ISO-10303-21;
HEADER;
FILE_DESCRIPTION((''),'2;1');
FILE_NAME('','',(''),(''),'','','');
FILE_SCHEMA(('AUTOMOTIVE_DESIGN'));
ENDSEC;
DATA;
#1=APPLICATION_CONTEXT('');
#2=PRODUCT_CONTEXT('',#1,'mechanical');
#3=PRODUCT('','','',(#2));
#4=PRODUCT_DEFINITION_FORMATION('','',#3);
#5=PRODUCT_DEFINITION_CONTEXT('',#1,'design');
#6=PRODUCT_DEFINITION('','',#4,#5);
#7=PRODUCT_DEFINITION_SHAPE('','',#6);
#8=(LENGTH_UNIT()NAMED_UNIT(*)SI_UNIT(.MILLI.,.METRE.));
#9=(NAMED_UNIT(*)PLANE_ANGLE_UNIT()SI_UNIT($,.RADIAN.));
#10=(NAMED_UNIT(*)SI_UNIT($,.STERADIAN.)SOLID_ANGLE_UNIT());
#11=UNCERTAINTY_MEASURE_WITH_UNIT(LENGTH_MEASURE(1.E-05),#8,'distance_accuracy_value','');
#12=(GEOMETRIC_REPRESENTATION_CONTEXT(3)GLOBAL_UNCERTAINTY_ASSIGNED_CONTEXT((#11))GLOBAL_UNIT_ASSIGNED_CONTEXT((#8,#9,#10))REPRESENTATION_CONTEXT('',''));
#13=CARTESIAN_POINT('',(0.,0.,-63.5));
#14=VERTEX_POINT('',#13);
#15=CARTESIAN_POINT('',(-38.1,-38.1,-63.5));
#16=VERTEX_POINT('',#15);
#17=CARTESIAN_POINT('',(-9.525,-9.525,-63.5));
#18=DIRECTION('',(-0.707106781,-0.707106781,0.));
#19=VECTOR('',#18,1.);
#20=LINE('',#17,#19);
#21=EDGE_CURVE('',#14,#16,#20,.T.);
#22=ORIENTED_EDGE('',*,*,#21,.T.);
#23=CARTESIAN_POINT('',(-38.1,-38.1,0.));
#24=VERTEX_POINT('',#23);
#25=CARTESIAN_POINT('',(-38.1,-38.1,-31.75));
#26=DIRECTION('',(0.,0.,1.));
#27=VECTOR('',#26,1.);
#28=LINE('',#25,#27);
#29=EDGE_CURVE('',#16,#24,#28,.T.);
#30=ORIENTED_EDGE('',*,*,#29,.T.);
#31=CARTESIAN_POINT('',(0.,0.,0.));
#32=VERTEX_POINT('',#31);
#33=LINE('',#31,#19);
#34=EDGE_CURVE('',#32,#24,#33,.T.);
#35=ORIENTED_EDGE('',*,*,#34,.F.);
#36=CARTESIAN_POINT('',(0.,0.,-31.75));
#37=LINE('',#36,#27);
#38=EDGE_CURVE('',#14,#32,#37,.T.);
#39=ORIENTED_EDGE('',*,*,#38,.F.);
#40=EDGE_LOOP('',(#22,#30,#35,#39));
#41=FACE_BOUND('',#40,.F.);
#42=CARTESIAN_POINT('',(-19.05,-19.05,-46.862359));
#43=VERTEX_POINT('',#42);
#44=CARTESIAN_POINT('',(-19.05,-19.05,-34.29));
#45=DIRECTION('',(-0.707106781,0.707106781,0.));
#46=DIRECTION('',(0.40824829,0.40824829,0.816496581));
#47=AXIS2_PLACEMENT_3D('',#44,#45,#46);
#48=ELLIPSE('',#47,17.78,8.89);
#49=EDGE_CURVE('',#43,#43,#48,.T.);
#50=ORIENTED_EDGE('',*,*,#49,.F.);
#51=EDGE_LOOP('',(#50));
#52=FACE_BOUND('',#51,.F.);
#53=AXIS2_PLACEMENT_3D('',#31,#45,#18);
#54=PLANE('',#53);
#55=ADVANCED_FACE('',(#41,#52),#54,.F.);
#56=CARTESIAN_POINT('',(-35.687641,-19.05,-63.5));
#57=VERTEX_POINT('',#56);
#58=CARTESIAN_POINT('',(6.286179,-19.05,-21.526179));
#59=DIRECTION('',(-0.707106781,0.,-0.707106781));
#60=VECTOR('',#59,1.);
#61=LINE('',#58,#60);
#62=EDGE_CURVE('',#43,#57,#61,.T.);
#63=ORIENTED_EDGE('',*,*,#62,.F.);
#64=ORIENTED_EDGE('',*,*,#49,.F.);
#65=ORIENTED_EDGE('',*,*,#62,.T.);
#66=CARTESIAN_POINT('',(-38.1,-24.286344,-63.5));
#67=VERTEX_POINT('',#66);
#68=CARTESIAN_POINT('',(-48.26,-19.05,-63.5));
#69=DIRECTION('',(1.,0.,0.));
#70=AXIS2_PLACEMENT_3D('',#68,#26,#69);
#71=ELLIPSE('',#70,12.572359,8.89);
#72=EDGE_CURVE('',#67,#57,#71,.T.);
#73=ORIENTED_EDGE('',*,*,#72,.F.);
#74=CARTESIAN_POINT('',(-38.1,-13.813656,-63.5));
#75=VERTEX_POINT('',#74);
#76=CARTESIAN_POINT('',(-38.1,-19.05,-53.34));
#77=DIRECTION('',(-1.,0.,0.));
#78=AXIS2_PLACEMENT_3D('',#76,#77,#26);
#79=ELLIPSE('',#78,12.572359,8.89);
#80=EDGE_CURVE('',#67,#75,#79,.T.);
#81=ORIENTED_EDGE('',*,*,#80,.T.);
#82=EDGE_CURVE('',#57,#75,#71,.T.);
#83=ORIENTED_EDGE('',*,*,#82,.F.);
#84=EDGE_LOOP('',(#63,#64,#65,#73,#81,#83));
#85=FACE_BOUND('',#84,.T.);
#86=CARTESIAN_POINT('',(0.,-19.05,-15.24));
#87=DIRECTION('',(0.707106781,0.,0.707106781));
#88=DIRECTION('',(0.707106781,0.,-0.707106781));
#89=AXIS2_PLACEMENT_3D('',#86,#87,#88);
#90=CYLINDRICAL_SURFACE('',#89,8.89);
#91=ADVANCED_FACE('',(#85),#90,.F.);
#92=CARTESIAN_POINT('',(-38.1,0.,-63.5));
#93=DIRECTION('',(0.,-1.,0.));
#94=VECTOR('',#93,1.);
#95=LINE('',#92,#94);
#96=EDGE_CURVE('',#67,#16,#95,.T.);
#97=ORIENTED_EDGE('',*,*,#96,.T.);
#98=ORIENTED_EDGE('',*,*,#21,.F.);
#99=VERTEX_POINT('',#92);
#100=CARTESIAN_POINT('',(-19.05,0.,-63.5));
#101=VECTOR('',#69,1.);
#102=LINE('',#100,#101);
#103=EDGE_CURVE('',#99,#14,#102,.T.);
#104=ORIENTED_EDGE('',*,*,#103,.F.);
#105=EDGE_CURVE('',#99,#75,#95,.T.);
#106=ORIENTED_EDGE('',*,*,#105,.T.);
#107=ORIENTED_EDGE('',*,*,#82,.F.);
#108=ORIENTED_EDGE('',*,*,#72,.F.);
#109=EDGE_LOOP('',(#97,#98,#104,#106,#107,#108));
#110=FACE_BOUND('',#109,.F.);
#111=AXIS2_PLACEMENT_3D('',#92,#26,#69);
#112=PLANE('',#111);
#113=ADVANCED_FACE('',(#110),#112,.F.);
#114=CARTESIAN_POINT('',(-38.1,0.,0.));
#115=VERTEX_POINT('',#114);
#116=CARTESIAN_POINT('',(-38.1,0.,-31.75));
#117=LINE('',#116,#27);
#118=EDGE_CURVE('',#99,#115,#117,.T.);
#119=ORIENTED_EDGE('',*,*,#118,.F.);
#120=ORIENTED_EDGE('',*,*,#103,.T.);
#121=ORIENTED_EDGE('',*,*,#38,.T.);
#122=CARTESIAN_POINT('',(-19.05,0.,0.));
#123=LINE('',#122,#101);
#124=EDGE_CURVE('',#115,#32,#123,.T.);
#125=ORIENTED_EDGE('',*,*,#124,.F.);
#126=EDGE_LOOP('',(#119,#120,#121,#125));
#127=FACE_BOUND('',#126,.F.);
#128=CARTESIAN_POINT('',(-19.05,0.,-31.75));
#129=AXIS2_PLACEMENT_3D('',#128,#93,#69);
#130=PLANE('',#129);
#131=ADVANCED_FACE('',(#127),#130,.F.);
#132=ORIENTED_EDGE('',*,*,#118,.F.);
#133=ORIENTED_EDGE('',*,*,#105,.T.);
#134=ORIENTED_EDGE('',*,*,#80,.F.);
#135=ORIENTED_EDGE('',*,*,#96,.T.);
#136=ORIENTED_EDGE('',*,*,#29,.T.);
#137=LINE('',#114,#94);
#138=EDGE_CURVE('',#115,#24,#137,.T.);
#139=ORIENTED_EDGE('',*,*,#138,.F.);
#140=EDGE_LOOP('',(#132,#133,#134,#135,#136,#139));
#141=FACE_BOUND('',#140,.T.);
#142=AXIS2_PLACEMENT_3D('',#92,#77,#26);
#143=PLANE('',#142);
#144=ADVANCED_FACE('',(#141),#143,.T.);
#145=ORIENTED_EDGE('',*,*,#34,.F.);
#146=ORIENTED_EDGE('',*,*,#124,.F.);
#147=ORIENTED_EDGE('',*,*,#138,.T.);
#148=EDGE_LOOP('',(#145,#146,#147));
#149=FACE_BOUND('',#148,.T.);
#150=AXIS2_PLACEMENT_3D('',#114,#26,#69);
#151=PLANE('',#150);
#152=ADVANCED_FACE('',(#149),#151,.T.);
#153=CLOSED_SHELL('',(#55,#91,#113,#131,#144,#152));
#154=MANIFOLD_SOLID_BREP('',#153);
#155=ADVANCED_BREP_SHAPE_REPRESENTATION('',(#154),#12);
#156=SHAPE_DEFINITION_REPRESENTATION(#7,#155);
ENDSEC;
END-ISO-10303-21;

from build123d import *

# Parameters (mm, degrees)
F0_W          = 38.1
F0_H          = 63.5
F1_DEPTH      = 38.1
F4_R          = 8.89
F5_DEPTH      = 50.8
F5_DEPTH_BACK = 76.2
F7_DEPTH      = 76.2


with BuildPart() as f1:
    # F0 (on Front) → F1 (new body)
    with BuildSketch(Plane.XZ):
        with Locations((-19.05, -31.75)):
            Rectangle(F0_W, F0_H)
    extrude(amount=F1_DEPTH)

    # F4 (on line) → F5 (cut, two sides)
    with BuildSketch(Plane(origin=(-7.62, 0, -7.62), x_dir=(0.7071067812, 0, -0.7071067812), z_dir=(-0.7071067812, 0, -0.7071067812))) as f5_sk:
        with Locations((10.7763073453, 19.05)):
            Circle(F4_R)
    extrude(amount=-F5_DEPTH, mode=Mode.SUBTRACT)
    extrude(f5_sk.sketch, amount=F5_DEPTH_BACK, mode=Mode.SUBTRACT)

    # F6 (on face) → F7 (cut)
    with BuildSketch(Plane.XY):
        Polygon((0, -38.1), (0, 0), (-38.1, -38.1), align=None)
    extrude(amount=-F7_DEPTH, mode=Mode.SUBTRACT)


solid = f1.part
